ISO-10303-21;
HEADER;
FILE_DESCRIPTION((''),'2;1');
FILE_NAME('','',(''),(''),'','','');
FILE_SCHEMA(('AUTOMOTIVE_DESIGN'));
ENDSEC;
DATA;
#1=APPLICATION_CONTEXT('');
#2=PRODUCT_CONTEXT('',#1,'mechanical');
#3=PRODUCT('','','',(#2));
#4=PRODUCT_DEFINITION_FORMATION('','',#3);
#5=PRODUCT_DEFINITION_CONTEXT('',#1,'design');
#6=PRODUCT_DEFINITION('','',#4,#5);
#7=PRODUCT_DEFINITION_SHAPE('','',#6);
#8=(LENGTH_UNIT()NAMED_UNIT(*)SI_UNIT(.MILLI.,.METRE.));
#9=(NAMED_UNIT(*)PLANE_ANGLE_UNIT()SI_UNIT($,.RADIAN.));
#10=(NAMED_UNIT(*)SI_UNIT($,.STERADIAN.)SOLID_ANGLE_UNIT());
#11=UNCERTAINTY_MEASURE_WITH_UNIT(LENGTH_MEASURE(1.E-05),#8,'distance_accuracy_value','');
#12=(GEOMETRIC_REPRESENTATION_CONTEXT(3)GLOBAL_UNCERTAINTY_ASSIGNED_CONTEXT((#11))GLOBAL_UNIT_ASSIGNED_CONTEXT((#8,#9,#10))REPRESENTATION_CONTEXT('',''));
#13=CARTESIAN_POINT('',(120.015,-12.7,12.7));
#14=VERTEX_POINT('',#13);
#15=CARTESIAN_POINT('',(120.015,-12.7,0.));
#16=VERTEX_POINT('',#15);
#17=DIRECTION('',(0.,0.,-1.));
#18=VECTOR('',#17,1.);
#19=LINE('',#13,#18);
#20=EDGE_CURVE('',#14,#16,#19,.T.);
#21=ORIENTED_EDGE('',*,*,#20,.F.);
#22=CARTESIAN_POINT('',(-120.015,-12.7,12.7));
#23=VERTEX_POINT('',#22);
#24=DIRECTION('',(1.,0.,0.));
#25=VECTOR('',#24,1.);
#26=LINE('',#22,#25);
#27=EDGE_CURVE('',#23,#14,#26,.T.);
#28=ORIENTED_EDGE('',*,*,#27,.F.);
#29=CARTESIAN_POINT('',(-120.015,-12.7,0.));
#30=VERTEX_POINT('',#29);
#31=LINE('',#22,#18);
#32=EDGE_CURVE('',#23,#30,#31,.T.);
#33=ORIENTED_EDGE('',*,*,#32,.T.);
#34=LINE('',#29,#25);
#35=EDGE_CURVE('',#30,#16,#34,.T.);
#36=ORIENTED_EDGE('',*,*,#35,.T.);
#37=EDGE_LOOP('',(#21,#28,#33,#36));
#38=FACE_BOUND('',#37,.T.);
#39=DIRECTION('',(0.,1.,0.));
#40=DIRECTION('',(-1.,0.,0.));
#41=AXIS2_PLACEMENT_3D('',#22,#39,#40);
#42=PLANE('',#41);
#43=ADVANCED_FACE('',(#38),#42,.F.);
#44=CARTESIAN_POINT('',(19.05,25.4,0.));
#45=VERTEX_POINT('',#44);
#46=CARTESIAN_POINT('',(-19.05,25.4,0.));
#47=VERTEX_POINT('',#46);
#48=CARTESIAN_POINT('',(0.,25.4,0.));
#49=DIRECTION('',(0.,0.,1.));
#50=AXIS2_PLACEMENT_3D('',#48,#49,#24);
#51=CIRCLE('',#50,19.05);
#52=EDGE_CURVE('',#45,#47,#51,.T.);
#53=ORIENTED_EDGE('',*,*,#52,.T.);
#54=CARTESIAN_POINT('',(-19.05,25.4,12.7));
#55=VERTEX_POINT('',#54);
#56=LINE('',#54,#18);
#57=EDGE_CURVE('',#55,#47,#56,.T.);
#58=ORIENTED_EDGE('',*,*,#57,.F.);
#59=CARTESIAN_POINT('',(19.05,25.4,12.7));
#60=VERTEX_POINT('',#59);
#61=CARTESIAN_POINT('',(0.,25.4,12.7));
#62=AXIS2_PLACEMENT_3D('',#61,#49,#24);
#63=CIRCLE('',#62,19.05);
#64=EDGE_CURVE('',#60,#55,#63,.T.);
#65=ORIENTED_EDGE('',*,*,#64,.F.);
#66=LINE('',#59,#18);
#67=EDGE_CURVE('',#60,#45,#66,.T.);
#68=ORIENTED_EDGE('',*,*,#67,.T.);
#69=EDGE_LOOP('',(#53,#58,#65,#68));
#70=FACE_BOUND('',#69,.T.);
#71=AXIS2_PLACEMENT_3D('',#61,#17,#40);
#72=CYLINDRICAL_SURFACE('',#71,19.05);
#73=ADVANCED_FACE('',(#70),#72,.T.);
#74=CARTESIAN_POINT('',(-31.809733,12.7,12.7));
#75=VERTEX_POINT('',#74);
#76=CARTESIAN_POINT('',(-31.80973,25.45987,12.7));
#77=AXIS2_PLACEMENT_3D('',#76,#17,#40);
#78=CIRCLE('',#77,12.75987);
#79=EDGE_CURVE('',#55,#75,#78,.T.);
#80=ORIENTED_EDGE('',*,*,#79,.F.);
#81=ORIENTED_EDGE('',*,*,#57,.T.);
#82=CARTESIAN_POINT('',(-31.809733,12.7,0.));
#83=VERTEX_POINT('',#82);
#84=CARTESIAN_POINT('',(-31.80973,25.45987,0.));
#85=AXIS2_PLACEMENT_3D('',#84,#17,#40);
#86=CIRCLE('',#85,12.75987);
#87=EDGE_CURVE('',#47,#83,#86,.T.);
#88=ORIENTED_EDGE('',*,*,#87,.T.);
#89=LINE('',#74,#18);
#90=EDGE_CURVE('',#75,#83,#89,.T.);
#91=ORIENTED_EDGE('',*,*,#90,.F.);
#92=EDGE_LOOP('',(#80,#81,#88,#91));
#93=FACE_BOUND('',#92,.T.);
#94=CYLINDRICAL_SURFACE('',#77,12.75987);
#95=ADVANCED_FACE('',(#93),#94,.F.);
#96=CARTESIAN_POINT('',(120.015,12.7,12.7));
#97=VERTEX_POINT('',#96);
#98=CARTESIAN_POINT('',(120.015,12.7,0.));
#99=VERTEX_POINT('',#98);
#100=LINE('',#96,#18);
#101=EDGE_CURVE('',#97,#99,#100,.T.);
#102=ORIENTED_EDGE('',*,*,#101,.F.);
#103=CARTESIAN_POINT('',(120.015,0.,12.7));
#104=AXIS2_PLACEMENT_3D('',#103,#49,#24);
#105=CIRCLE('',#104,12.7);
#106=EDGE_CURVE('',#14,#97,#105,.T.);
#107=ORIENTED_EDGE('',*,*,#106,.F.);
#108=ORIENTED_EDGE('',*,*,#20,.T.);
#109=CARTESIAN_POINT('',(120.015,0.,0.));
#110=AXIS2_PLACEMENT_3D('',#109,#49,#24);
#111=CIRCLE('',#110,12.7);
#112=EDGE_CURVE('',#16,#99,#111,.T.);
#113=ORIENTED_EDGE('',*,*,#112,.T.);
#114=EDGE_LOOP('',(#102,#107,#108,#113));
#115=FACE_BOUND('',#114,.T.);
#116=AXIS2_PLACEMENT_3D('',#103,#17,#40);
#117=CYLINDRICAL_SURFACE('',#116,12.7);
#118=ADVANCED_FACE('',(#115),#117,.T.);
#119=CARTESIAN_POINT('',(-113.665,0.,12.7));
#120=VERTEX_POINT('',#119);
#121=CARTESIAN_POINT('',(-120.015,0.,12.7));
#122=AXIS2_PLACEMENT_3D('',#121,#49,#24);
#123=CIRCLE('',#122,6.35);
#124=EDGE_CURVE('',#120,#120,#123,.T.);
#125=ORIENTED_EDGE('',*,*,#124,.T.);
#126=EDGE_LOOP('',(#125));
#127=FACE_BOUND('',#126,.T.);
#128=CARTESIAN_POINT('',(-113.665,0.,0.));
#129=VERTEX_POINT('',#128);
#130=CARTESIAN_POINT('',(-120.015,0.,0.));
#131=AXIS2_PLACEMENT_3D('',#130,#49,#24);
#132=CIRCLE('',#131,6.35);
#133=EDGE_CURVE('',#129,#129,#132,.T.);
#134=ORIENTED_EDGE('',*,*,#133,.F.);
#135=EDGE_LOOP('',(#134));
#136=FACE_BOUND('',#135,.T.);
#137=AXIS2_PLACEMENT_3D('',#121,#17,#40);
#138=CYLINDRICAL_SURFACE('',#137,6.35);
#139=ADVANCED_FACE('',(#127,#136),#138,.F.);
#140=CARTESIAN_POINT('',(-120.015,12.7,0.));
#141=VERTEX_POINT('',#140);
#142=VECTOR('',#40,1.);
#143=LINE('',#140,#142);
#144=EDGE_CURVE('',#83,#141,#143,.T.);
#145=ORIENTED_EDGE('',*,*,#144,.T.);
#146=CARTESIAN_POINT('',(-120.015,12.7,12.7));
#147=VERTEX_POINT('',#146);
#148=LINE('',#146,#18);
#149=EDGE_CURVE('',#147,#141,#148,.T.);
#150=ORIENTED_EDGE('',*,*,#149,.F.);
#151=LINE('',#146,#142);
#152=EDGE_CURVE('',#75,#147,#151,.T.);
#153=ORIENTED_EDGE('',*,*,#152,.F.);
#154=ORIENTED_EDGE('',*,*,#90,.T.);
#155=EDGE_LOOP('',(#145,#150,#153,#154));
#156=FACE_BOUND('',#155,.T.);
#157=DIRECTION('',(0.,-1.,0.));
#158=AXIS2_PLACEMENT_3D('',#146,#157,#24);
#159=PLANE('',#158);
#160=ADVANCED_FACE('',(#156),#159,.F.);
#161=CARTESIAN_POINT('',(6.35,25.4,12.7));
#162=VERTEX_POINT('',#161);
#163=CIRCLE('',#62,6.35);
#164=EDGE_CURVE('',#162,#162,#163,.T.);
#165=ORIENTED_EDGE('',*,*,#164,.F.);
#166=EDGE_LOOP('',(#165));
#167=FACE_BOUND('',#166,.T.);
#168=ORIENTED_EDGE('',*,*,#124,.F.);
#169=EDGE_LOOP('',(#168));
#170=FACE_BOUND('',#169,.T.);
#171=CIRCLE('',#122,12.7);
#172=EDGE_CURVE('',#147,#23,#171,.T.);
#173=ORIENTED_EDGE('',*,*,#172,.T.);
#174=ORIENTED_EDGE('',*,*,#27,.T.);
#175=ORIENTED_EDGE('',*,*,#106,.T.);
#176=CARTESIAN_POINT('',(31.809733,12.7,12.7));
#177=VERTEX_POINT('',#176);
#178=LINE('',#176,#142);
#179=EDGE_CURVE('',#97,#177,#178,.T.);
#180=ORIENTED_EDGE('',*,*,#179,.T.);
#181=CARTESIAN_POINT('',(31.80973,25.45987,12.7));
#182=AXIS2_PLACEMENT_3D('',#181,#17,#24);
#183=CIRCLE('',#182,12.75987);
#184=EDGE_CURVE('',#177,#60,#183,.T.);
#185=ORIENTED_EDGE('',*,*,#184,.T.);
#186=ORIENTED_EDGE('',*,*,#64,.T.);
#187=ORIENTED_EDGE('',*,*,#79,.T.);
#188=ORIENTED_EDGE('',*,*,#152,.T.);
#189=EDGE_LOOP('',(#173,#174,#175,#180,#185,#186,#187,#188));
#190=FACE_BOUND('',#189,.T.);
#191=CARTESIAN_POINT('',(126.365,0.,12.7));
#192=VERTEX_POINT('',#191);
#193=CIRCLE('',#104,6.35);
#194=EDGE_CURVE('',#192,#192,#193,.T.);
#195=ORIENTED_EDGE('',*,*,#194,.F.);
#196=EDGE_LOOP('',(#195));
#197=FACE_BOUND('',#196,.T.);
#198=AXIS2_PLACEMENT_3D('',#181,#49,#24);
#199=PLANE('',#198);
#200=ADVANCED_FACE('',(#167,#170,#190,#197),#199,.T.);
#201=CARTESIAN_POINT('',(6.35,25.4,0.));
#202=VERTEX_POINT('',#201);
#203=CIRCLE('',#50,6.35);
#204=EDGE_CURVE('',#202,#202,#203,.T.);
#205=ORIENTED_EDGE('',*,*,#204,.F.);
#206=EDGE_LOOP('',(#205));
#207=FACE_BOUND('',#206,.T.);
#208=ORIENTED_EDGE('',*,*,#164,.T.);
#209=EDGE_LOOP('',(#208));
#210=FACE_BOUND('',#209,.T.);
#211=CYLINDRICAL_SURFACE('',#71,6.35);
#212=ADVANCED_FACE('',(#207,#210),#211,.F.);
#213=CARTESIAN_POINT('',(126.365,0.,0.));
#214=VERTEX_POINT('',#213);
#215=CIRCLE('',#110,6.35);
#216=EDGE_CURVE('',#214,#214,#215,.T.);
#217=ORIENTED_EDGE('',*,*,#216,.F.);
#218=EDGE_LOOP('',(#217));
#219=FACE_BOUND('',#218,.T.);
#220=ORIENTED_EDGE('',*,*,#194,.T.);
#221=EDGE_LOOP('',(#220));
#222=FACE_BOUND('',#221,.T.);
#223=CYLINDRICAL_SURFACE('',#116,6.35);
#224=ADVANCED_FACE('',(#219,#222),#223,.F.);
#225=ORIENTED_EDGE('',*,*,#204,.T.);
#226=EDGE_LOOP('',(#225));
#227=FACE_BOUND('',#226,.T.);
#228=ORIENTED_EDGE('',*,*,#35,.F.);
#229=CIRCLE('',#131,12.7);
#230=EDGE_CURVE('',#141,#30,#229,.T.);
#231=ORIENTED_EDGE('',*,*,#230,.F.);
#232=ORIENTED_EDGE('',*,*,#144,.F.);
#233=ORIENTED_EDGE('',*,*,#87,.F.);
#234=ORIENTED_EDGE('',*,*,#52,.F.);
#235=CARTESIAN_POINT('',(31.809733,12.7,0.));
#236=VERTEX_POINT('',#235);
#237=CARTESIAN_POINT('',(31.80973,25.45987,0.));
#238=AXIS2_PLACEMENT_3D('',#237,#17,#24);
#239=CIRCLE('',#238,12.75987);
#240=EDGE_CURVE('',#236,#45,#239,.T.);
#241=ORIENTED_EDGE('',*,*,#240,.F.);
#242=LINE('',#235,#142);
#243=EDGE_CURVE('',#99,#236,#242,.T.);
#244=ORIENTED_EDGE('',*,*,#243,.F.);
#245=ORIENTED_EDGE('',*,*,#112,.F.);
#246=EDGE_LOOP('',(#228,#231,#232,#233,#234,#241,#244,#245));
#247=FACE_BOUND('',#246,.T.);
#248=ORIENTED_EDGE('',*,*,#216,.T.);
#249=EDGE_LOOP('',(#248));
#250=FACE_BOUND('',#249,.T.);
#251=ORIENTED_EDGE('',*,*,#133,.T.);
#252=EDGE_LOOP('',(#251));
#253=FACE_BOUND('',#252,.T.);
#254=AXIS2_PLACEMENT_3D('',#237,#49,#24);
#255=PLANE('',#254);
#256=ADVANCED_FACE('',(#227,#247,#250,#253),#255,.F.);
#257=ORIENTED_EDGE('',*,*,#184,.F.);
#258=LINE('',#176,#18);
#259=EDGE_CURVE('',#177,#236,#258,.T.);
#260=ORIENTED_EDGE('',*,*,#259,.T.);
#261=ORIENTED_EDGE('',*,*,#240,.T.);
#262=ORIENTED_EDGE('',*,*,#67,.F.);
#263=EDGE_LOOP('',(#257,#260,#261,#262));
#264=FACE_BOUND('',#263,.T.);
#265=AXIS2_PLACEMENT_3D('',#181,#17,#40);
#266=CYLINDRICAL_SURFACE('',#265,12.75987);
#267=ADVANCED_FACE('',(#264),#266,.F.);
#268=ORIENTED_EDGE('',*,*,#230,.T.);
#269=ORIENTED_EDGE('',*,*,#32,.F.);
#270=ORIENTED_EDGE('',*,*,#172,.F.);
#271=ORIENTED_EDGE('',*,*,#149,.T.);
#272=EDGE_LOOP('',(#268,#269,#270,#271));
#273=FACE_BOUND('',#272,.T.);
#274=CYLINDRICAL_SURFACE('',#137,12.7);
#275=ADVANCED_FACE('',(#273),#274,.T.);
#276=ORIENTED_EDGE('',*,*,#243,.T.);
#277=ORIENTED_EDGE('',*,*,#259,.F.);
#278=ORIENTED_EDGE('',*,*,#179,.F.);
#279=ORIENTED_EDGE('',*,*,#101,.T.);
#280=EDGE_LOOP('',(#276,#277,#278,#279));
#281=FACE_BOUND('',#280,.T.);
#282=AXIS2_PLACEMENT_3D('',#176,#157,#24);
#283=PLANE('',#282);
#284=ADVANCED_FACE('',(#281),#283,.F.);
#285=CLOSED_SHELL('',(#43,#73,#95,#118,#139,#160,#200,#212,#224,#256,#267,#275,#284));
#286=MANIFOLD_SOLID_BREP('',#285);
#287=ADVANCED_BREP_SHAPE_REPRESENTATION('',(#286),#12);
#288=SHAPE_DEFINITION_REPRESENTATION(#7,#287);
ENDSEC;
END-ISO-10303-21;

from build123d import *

# Parameters (mm, degrees)
SKETCH1_R           = 6.35
BOSS_EXTRUDE1_DEPTH = 12.7


with BuildPart() as part:
    # Sketch1 → Boss-Extrude1 (new body)
    with BuildSketch(Plane.XY):
        with BuildLine():
            Line((-120.015, 12.7), (-31.809733165, 12.7))
            ThreePointArc((-31.809733165, 12.7), (-22.808332465, 16.416135762), (-19.05, 25.4))
            ThreePointArc((-19.05, 25.4), (0, 44.45), (19.05, 25.4))
            ThreePointArc((19.05, 25.4), (22.808332465, 16.416135762), (31.809733165, 12.7))
            Line((31.809733165, 12.7), (120.015, 12.7))
            ThreePointArc((120.015, 12.7), (132.715, 0), (120.015, -12.7))
            Line((120.015, -12.7), (-120.015, -12.7))
            ThreePointArc((-120.015, -12.7), (-132.715, 0), (-120.015, 12.7))
        make_face()
        with Locations((-120.015, 0)):
            Circle(SKETCH1_R, mode=Mode.SUBTRACT)
        with Locations((120.015, 0)):
            Circle(SKETCH1_R, mode=Mode.SUBTRACT)
        with Locations((0, 25.4)):
            Circle(SKETCH1_R, mode=Mode.SUBTRACT)
    extrude(amount=BOSS_EXTRUDE1_DEPTH)


solid = part.part
